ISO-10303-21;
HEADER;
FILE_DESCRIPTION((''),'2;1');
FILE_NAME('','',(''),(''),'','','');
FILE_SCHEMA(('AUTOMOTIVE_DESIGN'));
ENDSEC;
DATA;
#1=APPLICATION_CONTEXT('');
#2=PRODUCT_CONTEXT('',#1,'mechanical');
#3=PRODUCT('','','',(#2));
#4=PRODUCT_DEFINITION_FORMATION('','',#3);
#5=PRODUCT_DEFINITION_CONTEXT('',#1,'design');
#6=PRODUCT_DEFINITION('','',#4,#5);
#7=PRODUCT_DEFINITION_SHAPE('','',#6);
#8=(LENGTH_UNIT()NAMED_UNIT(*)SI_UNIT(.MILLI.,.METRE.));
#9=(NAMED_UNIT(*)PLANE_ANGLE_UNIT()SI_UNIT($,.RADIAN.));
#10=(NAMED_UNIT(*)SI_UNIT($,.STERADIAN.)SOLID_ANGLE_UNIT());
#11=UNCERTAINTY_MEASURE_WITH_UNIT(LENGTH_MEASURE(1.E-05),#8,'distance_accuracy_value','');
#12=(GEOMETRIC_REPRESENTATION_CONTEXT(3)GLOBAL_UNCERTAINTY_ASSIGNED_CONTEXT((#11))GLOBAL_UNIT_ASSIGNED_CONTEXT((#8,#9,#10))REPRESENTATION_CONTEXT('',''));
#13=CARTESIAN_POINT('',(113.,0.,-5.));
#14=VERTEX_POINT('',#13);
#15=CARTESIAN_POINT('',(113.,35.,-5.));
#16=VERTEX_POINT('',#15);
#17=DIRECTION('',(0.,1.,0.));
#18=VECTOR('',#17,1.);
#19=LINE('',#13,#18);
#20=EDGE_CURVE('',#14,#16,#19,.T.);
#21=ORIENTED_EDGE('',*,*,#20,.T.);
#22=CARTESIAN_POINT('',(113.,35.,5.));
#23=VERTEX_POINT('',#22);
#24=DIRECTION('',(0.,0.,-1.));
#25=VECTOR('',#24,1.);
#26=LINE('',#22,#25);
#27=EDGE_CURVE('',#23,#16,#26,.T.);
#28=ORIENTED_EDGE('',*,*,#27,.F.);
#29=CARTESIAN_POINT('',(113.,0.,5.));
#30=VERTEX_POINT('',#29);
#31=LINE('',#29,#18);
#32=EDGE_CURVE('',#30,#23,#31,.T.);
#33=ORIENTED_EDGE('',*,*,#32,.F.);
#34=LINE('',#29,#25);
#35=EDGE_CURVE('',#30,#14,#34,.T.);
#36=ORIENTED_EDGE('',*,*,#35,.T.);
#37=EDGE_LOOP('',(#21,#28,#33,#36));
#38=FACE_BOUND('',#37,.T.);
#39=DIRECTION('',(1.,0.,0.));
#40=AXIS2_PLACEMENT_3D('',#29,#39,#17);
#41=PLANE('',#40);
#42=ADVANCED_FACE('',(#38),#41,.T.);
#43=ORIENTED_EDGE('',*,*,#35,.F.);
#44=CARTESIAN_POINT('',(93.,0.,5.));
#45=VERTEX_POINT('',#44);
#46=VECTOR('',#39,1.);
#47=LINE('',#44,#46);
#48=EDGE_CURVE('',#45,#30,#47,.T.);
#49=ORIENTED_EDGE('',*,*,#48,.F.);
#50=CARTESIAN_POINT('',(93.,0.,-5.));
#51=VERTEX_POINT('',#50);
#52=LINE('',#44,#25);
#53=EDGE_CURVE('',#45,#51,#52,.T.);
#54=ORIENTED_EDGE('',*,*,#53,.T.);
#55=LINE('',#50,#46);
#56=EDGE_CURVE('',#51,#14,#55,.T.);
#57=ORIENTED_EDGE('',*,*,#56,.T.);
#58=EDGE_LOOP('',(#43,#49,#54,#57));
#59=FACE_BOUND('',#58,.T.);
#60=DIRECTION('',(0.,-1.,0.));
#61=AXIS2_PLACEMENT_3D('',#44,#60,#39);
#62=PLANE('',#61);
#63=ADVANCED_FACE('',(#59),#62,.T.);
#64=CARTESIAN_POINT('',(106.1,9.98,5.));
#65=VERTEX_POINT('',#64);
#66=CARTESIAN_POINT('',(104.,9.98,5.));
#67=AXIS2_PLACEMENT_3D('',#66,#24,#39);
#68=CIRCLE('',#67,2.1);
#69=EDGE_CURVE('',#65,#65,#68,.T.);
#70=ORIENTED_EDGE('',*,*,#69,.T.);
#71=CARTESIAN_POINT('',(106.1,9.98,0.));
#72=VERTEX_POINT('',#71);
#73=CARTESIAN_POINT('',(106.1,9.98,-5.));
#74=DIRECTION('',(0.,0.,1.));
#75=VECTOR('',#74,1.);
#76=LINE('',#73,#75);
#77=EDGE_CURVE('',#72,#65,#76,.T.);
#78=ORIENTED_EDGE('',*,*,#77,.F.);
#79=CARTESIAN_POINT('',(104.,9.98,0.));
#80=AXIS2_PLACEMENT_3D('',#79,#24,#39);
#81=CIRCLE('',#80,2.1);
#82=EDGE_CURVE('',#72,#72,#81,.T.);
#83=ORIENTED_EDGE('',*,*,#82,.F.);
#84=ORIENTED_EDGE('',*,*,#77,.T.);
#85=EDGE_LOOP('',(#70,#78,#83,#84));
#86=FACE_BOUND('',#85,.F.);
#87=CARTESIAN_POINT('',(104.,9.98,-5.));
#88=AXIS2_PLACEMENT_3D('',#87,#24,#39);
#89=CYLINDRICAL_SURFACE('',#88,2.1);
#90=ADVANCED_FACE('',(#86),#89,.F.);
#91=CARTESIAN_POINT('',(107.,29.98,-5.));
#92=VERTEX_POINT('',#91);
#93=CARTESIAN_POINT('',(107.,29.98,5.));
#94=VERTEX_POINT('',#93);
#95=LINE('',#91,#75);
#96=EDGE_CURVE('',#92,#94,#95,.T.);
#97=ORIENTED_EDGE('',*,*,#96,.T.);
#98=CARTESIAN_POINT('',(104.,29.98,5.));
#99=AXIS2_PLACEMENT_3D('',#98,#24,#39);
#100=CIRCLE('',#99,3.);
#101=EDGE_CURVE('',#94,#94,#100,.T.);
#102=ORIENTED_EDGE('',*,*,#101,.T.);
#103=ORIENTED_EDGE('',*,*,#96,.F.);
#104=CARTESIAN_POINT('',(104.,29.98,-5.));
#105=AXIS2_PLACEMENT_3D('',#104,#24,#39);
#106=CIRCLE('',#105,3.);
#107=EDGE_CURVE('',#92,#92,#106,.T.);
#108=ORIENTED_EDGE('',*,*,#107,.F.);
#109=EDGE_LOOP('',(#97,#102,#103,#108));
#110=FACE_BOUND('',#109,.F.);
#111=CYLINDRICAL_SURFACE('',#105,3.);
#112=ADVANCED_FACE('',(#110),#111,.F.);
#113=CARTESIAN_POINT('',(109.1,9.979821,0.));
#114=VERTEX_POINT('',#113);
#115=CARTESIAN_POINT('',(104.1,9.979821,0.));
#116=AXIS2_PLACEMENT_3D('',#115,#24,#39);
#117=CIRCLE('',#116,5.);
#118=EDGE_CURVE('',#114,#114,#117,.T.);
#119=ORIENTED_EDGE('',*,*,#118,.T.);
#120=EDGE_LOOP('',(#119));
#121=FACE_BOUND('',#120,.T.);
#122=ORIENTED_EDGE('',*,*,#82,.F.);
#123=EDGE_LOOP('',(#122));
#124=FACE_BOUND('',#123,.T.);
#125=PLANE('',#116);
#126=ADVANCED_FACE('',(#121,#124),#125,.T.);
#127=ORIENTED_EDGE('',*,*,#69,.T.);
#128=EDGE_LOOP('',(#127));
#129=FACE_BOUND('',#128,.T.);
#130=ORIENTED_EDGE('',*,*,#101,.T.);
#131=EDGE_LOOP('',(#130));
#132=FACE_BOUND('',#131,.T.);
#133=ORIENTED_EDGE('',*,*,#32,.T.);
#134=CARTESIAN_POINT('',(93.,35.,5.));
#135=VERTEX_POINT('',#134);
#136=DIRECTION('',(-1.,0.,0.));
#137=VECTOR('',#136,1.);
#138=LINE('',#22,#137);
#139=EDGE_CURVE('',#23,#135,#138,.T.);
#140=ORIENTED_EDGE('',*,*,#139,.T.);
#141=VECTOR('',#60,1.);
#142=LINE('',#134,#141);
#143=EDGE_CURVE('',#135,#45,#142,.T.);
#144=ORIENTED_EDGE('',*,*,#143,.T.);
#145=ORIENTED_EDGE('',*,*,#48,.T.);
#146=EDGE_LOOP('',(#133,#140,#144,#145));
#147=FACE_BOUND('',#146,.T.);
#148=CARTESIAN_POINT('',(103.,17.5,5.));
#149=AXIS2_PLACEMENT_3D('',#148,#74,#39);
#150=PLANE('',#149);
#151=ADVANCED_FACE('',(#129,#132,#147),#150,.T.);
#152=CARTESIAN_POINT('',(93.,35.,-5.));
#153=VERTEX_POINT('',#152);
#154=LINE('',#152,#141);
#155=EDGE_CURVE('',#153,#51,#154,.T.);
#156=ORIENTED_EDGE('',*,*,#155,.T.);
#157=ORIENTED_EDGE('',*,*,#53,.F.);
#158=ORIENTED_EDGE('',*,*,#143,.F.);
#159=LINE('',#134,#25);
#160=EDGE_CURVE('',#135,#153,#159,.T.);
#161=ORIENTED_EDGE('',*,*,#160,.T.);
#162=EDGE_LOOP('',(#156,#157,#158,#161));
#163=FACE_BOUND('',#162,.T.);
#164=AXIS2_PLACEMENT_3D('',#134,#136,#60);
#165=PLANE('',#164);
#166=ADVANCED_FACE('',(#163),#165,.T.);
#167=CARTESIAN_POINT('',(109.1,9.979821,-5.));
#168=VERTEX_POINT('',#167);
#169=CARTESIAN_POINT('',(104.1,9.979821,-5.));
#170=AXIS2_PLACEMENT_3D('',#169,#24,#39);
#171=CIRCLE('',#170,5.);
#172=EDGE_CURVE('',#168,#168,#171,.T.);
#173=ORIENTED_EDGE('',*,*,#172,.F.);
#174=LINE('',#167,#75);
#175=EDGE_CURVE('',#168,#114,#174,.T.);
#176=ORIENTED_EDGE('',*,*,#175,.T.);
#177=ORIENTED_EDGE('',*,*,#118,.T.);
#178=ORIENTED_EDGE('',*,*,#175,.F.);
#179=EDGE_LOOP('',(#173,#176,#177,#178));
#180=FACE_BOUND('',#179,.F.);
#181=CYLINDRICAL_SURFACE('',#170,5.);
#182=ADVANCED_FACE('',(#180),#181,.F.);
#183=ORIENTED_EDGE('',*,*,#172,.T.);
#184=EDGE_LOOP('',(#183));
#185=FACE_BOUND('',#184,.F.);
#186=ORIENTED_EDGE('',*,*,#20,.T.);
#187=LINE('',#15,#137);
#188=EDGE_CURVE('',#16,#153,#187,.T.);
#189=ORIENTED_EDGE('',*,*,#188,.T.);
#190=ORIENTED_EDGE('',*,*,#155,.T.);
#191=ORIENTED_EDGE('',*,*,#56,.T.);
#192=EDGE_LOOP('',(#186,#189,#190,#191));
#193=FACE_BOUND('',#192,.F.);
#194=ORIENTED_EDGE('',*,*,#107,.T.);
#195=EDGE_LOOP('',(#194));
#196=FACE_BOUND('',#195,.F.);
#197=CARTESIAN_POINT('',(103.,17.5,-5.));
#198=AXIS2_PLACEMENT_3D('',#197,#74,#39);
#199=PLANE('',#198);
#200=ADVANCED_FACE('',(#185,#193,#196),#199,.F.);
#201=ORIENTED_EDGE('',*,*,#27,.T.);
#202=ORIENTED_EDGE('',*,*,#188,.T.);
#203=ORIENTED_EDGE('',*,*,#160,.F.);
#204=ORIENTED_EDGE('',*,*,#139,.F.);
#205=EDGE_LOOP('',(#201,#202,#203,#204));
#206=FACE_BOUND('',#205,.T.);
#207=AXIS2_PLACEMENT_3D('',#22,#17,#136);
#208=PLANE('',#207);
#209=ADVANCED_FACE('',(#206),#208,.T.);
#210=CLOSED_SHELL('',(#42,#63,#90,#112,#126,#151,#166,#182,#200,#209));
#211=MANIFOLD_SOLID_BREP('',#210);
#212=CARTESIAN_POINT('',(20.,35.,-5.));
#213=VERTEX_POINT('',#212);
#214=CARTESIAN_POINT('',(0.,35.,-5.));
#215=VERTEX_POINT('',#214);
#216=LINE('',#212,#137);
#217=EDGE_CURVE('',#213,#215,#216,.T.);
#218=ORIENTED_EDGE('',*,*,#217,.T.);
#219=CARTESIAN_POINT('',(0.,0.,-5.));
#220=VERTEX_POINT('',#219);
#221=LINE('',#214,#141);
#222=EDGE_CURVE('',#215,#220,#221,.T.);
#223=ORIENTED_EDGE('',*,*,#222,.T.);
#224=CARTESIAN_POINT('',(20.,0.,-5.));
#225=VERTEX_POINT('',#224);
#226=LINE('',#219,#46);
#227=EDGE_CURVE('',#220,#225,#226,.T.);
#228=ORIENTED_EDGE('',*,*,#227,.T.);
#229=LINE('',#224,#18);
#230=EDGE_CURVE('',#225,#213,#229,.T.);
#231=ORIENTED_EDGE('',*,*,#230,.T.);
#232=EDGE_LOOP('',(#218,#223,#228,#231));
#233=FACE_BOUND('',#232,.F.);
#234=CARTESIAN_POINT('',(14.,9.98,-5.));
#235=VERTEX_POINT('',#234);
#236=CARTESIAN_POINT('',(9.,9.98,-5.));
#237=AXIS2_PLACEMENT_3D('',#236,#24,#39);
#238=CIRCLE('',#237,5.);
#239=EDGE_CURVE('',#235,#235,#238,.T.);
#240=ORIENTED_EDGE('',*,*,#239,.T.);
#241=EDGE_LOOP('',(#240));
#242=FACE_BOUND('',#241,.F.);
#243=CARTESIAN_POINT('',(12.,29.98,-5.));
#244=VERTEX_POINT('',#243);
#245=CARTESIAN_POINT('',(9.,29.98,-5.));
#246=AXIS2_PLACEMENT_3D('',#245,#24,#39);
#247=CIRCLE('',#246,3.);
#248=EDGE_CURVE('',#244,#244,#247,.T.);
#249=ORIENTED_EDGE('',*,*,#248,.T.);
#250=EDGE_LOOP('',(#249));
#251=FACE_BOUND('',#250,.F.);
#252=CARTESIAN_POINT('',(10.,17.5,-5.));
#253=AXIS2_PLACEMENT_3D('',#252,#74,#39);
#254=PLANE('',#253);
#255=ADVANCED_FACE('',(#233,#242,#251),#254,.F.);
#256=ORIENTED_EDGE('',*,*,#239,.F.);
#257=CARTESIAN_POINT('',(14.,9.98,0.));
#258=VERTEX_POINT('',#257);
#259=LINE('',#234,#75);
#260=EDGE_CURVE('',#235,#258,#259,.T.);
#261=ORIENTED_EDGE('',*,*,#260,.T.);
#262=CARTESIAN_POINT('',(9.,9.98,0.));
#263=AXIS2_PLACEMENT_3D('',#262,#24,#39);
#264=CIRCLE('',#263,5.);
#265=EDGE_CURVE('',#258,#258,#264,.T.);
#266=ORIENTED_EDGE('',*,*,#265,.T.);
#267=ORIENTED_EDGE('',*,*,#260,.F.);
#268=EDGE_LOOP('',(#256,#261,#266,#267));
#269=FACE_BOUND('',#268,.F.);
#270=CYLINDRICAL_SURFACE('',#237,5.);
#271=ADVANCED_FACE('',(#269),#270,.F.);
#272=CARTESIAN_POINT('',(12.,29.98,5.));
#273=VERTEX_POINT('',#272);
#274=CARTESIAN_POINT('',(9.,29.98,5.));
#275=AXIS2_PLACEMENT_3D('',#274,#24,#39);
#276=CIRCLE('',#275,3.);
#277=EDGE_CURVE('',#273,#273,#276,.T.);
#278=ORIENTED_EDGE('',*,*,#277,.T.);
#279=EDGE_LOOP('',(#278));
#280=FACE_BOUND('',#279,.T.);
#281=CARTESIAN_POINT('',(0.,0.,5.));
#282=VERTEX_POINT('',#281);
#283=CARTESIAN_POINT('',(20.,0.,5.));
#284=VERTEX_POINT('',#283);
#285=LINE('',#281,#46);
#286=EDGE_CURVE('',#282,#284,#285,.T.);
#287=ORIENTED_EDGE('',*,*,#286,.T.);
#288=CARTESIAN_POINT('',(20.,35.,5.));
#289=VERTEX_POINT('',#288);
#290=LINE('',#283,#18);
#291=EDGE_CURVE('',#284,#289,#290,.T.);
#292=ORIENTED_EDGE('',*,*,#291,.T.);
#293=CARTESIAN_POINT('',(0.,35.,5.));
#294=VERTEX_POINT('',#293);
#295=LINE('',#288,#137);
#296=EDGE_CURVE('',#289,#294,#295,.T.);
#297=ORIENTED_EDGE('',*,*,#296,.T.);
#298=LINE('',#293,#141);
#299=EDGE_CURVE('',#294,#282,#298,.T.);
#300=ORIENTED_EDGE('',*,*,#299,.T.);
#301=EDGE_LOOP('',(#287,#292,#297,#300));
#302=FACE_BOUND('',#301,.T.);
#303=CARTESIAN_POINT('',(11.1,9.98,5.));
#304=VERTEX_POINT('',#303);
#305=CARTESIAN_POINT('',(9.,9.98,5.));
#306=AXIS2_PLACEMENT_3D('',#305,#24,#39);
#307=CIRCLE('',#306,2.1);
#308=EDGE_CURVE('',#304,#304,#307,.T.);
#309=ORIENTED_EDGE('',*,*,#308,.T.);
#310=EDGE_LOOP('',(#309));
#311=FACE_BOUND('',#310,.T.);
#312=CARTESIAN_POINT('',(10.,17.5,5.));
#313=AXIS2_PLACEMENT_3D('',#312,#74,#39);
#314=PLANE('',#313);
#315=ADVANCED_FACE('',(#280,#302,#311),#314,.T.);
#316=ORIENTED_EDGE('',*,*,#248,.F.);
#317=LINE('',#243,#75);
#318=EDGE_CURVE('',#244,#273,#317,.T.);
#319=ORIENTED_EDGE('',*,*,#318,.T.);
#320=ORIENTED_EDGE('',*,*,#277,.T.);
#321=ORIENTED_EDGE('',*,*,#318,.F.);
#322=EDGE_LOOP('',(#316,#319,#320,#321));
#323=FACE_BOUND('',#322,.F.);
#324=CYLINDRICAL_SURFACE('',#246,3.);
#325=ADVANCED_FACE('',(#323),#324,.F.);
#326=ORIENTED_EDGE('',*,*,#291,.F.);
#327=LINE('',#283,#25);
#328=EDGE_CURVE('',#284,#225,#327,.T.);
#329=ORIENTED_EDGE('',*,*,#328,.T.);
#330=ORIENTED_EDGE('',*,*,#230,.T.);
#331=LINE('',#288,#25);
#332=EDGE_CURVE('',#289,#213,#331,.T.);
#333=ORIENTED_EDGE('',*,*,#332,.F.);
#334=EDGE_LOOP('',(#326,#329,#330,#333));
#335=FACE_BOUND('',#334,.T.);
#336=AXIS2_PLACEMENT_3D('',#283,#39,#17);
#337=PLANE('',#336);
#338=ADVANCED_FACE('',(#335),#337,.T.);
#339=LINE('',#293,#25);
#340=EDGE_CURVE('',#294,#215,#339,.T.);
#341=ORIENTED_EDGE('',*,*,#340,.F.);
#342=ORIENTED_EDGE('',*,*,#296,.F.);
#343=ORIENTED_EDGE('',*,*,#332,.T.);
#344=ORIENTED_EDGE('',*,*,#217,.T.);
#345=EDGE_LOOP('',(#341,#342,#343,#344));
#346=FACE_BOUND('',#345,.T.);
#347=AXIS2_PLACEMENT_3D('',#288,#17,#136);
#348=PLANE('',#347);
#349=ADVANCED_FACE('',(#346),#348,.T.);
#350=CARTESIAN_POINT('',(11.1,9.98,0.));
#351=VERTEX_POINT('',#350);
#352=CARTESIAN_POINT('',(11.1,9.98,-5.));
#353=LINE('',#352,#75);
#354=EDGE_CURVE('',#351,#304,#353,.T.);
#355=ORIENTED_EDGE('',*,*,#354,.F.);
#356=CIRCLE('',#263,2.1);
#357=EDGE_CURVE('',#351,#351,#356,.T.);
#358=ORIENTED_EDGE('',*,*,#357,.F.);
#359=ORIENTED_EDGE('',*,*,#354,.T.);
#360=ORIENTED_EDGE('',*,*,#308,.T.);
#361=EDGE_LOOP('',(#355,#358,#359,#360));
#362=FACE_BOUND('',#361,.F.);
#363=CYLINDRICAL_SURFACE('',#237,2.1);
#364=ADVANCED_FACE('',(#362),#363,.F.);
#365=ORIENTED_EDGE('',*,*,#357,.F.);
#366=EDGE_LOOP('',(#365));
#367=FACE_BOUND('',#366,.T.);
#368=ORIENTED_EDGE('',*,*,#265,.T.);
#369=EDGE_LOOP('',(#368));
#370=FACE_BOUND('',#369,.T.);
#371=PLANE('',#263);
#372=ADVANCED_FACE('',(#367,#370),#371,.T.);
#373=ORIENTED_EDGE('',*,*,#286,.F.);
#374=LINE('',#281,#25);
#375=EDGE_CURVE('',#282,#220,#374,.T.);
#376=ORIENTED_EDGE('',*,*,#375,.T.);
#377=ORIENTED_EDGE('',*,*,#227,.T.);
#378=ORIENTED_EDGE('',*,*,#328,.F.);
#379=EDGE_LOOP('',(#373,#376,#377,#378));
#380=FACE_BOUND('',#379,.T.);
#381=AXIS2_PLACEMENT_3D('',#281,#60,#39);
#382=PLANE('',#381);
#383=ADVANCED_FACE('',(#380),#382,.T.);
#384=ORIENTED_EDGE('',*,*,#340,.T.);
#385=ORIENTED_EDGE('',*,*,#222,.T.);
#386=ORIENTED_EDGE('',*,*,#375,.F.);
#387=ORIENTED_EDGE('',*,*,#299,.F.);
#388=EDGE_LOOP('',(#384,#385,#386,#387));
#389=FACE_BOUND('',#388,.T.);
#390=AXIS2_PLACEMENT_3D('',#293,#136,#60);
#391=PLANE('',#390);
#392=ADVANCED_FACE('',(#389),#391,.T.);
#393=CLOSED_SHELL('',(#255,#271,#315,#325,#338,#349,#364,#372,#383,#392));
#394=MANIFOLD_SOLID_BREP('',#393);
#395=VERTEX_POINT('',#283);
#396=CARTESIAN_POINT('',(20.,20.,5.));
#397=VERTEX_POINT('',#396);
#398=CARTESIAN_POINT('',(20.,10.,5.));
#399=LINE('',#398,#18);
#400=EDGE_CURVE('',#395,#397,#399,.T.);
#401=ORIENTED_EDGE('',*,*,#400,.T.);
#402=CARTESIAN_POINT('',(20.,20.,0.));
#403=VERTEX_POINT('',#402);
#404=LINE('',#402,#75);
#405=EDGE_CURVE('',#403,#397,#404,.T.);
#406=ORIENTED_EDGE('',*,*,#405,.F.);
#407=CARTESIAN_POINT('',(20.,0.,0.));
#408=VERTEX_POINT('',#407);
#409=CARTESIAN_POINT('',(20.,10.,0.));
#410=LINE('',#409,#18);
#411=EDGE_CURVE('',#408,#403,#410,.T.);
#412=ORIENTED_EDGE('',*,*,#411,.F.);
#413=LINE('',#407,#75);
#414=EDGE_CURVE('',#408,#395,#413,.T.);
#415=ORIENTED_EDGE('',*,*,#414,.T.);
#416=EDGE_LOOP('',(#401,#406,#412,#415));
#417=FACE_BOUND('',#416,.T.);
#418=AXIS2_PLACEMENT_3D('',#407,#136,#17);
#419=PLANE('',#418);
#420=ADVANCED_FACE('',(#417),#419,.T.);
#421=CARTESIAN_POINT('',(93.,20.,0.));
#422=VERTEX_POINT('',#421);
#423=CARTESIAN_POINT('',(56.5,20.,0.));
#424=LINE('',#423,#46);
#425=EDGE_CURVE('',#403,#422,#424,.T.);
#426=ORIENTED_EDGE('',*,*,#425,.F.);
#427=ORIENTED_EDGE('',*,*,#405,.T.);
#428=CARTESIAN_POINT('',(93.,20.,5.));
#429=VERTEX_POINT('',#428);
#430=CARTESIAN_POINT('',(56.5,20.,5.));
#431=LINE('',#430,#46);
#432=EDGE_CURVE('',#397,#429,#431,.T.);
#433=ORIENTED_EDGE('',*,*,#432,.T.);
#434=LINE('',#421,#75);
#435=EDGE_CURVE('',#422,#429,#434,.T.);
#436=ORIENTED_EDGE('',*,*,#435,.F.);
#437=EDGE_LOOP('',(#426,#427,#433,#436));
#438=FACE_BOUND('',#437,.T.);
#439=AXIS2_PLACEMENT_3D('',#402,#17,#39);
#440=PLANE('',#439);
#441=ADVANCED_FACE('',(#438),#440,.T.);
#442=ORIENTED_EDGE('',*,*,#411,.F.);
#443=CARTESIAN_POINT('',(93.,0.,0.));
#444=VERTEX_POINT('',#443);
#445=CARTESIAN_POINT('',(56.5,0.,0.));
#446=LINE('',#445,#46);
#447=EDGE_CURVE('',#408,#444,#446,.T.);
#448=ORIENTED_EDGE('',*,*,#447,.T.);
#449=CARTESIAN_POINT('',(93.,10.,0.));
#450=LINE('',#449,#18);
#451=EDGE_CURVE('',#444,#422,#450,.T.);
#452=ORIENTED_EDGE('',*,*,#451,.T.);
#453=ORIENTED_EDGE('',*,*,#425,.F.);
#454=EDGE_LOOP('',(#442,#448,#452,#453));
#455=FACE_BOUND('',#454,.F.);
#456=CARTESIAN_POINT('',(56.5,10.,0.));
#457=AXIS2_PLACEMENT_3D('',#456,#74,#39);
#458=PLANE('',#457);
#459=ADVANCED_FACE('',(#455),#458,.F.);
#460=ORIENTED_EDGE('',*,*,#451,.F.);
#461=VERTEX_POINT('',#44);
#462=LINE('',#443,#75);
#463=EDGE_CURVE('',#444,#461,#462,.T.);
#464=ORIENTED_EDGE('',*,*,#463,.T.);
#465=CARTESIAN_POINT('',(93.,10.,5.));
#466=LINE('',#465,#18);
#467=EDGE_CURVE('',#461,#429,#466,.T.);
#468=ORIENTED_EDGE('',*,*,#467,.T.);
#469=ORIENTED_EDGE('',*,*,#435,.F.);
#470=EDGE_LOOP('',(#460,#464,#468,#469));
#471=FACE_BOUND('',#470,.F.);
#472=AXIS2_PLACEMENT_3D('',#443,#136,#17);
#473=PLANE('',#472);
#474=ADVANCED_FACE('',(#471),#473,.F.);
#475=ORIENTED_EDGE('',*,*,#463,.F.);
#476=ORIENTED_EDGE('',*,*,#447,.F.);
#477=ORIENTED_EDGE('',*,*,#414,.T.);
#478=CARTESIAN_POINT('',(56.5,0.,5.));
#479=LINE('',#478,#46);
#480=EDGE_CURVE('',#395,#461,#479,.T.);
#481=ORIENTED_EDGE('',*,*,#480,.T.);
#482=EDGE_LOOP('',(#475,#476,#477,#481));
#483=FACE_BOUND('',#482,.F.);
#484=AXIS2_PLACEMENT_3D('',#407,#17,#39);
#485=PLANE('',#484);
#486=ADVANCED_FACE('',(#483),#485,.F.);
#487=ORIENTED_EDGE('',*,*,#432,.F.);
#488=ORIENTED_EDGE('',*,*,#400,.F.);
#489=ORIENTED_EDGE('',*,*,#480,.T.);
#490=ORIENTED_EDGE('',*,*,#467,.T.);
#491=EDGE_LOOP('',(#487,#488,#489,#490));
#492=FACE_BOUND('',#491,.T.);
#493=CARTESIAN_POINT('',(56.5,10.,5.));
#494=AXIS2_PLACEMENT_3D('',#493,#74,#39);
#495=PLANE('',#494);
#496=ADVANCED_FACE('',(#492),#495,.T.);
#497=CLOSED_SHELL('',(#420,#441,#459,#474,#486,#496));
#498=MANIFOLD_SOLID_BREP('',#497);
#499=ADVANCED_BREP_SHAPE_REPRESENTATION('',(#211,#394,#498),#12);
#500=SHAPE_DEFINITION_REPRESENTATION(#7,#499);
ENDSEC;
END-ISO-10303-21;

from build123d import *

# Parameters (mm, degrees)
F0_W     = 73
F0_H     = 20
F1_DEPTH = 5
F3_DEPTH = 10
F4_R     = 2.1
F4_R_2   = 3
F5_DEPTH = 25
F6_R     = 5
F6_R_2   = 2.1
F7_DEPTH = 5


with BuildPart() as f1:
    # F0 (on Top) → F1 (new body)
    with BuildSketch(Plane.XY):
        with Locations((56.5, 10)):
            Rectangle(F0_W, F0_H)
    extrude(amount=F1_DEPTH)


with BuildPart() as f3:
    # F2 (on face) → F3 (new body)
    with BuildSketch(Plane.XY.offset(5)):
        Polygon((0, 35), (0, 0), (20, 0), (20, 20), (20, 35), align=None)
        Polygon((93, 20), (93, 0), (113, 0), (113, 35), (93, 35), align=None)
    extrude(amount=-F3_DEPTH)

    # F4 (on face) → F5 (cut)
    with BuildSketch(Plane(origin=(0, 0, -5), x_dir=(1, 0, 0), z_dir=(0, 0, -1))):
        with Locations((9, -9.98)):
            Circle(F4_R)
        with Locations((9, -29.98)):
            Circle(F4_R_2)
        with Locations((104, -9.98)):
            Circle(F4_R)
        with Locations((104, -29.98)):
            Circle(F4_R_2)
    extrude(amount=-F5_DEPTH, mode=Mode.SUBTRACT)

    # F6 (on face) → F7 (cut)
    with BuildSketch(Plane(origin=(0, 0, -5), x_dir=(1, 0, 0), z_dir=(0, 0, -1))):
        with Locations((9, -9.98)):
            Circle(F6_R)
        with Locations((9, -9.98)):
            Circle(F6_R_2, mode=Mode.SUBTRACT)
        with Locations((104.1, -9.979821)):
            Circle(F6_R)
    extrude(amount=-F7_DEPTH, mode=Mode.SUBTRACT)


solid = Compound([f1.part, f3.part])
